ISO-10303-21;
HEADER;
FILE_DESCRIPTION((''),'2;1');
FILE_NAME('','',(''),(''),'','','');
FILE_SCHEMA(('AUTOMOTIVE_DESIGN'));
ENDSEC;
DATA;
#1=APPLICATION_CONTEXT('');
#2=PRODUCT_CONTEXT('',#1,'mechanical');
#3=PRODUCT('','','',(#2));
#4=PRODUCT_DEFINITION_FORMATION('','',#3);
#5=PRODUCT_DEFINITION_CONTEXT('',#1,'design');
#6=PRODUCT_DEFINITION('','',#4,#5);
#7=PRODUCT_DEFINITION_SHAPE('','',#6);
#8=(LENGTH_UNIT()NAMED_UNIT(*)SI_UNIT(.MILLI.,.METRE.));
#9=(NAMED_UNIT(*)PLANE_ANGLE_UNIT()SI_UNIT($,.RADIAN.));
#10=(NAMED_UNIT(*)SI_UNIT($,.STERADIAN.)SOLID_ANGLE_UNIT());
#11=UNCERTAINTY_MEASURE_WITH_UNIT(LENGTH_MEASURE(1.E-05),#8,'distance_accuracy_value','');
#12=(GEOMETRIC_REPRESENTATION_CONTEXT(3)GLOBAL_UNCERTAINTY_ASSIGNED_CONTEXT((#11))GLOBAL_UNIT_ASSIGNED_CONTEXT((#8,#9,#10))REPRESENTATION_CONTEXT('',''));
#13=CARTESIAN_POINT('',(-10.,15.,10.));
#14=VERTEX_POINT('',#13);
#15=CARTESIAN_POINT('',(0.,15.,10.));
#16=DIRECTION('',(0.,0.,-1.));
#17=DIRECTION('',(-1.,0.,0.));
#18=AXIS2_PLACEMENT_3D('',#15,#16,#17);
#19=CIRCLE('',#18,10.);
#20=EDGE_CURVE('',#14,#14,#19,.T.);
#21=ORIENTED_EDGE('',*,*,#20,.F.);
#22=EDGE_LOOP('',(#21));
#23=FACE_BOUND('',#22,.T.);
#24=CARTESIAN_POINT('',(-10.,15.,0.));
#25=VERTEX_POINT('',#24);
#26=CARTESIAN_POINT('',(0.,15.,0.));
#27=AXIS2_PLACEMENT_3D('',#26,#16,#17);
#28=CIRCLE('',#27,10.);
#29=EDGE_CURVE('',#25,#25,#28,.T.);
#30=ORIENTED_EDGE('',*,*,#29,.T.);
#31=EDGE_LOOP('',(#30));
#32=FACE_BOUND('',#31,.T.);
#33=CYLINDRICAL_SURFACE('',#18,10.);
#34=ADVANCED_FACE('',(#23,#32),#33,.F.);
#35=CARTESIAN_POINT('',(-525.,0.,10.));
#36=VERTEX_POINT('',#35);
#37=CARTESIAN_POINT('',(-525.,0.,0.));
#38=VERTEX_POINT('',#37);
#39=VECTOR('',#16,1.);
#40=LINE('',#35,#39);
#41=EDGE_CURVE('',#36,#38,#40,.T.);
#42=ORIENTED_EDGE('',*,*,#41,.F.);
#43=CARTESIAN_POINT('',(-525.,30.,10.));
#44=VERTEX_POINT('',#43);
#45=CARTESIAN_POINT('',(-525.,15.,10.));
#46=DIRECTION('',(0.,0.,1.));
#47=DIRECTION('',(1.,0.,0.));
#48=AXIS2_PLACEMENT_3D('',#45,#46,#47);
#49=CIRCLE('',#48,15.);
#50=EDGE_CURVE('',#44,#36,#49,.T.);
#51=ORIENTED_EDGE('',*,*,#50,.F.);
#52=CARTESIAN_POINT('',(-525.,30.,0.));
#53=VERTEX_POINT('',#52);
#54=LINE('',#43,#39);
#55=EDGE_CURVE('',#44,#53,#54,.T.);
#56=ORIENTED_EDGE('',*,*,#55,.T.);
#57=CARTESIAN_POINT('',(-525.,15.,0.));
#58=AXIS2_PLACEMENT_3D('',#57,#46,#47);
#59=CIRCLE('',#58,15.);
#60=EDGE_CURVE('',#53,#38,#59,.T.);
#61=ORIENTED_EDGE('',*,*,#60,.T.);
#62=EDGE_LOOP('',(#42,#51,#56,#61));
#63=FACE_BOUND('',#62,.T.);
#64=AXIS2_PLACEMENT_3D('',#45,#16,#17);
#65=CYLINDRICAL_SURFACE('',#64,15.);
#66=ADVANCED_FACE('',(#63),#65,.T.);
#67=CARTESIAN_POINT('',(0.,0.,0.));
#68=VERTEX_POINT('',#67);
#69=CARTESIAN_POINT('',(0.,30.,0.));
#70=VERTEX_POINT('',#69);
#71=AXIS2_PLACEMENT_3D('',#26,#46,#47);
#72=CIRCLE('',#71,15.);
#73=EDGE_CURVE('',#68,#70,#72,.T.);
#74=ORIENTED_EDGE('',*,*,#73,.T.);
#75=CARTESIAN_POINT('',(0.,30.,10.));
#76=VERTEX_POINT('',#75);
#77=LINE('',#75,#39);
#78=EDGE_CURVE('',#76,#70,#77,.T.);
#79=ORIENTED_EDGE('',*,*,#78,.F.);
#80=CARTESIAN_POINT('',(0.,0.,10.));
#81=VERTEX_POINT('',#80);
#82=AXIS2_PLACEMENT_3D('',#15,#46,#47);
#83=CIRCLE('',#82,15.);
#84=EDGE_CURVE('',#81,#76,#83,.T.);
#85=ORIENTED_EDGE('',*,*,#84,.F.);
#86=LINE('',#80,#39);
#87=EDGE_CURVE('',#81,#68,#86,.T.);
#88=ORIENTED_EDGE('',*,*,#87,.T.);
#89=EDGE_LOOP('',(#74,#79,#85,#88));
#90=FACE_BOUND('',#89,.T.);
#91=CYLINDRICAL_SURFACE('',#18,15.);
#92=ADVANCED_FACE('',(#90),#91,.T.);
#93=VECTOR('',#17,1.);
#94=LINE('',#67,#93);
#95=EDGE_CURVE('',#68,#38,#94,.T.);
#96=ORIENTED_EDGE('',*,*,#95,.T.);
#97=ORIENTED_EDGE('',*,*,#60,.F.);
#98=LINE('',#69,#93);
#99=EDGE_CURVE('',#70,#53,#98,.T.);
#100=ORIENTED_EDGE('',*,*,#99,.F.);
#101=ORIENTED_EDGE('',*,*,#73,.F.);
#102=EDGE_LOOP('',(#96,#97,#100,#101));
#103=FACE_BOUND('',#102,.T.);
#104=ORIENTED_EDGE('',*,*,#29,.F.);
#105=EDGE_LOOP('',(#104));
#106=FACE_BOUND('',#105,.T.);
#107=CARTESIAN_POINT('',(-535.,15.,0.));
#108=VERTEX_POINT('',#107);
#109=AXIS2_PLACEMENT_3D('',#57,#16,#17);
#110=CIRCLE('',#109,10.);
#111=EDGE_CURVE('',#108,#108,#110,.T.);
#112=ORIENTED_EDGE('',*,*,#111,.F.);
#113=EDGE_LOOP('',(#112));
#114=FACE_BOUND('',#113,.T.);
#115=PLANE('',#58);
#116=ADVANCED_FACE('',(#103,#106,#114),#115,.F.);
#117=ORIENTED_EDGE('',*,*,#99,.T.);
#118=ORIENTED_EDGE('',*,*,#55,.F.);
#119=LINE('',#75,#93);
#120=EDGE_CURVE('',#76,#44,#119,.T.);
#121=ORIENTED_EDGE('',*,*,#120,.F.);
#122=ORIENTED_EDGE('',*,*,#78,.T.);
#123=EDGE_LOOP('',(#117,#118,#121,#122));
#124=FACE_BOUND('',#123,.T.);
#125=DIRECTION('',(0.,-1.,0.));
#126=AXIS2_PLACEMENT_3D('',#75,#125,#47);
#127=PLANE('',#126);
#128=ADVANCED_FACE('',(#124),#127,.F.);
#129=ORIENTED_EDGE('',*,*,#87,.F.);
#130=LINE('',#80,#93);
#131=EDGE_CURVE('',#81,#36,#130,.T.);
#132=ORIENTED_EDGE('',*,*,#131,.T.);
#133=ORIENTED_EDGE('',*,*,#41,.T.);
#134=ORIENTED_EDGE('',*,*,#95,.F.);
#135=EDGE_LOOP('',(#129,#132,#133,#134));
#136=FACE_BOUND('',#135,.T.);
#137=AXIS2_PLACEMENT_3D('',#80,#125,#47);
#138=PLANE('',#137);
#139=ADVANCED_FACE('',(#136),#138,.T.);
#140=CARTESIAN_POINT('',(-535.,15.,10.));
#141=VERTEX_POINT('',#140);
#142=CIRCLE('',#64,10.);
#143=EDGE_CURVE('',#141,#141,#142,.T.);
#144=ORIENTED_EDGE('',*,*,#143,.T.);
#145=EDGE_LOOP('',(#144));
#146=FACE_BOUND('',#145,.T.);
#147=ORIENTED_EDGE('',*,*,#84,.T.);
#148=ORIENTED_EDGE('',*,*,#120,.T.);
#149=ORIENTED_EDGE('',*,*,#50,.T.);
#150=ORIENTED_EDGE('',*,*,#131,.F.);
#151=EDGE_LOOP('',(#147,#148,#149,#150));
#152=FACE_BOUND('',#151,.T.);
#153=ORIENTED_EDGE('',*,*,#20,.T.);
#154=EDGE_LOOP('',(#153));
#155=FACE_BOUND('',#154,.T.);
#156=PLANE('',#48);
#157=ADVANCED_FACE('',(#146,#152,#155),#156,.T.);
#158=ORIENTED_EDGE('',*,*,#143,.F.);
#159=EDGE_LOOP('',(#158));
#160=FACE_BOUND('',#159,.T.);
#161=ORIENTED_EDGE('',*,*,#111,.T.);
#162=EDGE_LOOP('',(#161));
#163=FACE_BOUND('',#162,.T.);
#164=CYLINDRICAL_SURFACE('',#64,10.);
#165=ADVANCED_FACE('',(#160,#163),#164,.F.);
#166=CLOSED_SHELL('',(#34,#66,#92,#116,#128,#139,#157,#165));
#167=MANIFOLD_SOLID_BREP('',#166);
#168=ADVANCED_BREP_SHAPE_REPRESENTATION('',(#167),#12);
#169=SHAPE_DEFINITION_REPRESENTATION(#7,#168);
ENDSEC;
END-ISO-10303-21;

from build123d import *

# Parameters (mm, degrees)
EXTRUDE_2_DEPTH     = 10
SKETCH_2_R          = 10
CUT_EXTRUDE_1_DEPTH = 10


with BuildPart() as part:
    # Эскиз1 → Бобышка-Вытянуть2 (new body)
    with BuildSketch(Plane.XY):
        with BuildLine():
            Line((0, 0), (-525, 0))
            ThreePointArc((-525, 0), (-540, 15), (-525, 30))
            Line((-525, 30), (0, 30))
            ThreePointArc((0, 30), (15, 15), (0, 0))
        make_face()
    extrude(amount=EXTRUDE_2_DEPTH)

    # Эскиз2 → Вырез-Вытянуть1 (cut)
    with BuildSketch(Plane(origin=(0, 0, 0), x_dir=(-1, 0, 0), z_dir=(0, 0, -1))):
        with Locations((0, 15)):
            Circle(SKETCH_2_R)
        with Locations((525, 15)):
            Circle(SKETCH_2_R)
    extrude(amount=-CUT_EXTRUDE_1_DEPTH, mode=Mode.SUBTRACT)


solid = part.part
